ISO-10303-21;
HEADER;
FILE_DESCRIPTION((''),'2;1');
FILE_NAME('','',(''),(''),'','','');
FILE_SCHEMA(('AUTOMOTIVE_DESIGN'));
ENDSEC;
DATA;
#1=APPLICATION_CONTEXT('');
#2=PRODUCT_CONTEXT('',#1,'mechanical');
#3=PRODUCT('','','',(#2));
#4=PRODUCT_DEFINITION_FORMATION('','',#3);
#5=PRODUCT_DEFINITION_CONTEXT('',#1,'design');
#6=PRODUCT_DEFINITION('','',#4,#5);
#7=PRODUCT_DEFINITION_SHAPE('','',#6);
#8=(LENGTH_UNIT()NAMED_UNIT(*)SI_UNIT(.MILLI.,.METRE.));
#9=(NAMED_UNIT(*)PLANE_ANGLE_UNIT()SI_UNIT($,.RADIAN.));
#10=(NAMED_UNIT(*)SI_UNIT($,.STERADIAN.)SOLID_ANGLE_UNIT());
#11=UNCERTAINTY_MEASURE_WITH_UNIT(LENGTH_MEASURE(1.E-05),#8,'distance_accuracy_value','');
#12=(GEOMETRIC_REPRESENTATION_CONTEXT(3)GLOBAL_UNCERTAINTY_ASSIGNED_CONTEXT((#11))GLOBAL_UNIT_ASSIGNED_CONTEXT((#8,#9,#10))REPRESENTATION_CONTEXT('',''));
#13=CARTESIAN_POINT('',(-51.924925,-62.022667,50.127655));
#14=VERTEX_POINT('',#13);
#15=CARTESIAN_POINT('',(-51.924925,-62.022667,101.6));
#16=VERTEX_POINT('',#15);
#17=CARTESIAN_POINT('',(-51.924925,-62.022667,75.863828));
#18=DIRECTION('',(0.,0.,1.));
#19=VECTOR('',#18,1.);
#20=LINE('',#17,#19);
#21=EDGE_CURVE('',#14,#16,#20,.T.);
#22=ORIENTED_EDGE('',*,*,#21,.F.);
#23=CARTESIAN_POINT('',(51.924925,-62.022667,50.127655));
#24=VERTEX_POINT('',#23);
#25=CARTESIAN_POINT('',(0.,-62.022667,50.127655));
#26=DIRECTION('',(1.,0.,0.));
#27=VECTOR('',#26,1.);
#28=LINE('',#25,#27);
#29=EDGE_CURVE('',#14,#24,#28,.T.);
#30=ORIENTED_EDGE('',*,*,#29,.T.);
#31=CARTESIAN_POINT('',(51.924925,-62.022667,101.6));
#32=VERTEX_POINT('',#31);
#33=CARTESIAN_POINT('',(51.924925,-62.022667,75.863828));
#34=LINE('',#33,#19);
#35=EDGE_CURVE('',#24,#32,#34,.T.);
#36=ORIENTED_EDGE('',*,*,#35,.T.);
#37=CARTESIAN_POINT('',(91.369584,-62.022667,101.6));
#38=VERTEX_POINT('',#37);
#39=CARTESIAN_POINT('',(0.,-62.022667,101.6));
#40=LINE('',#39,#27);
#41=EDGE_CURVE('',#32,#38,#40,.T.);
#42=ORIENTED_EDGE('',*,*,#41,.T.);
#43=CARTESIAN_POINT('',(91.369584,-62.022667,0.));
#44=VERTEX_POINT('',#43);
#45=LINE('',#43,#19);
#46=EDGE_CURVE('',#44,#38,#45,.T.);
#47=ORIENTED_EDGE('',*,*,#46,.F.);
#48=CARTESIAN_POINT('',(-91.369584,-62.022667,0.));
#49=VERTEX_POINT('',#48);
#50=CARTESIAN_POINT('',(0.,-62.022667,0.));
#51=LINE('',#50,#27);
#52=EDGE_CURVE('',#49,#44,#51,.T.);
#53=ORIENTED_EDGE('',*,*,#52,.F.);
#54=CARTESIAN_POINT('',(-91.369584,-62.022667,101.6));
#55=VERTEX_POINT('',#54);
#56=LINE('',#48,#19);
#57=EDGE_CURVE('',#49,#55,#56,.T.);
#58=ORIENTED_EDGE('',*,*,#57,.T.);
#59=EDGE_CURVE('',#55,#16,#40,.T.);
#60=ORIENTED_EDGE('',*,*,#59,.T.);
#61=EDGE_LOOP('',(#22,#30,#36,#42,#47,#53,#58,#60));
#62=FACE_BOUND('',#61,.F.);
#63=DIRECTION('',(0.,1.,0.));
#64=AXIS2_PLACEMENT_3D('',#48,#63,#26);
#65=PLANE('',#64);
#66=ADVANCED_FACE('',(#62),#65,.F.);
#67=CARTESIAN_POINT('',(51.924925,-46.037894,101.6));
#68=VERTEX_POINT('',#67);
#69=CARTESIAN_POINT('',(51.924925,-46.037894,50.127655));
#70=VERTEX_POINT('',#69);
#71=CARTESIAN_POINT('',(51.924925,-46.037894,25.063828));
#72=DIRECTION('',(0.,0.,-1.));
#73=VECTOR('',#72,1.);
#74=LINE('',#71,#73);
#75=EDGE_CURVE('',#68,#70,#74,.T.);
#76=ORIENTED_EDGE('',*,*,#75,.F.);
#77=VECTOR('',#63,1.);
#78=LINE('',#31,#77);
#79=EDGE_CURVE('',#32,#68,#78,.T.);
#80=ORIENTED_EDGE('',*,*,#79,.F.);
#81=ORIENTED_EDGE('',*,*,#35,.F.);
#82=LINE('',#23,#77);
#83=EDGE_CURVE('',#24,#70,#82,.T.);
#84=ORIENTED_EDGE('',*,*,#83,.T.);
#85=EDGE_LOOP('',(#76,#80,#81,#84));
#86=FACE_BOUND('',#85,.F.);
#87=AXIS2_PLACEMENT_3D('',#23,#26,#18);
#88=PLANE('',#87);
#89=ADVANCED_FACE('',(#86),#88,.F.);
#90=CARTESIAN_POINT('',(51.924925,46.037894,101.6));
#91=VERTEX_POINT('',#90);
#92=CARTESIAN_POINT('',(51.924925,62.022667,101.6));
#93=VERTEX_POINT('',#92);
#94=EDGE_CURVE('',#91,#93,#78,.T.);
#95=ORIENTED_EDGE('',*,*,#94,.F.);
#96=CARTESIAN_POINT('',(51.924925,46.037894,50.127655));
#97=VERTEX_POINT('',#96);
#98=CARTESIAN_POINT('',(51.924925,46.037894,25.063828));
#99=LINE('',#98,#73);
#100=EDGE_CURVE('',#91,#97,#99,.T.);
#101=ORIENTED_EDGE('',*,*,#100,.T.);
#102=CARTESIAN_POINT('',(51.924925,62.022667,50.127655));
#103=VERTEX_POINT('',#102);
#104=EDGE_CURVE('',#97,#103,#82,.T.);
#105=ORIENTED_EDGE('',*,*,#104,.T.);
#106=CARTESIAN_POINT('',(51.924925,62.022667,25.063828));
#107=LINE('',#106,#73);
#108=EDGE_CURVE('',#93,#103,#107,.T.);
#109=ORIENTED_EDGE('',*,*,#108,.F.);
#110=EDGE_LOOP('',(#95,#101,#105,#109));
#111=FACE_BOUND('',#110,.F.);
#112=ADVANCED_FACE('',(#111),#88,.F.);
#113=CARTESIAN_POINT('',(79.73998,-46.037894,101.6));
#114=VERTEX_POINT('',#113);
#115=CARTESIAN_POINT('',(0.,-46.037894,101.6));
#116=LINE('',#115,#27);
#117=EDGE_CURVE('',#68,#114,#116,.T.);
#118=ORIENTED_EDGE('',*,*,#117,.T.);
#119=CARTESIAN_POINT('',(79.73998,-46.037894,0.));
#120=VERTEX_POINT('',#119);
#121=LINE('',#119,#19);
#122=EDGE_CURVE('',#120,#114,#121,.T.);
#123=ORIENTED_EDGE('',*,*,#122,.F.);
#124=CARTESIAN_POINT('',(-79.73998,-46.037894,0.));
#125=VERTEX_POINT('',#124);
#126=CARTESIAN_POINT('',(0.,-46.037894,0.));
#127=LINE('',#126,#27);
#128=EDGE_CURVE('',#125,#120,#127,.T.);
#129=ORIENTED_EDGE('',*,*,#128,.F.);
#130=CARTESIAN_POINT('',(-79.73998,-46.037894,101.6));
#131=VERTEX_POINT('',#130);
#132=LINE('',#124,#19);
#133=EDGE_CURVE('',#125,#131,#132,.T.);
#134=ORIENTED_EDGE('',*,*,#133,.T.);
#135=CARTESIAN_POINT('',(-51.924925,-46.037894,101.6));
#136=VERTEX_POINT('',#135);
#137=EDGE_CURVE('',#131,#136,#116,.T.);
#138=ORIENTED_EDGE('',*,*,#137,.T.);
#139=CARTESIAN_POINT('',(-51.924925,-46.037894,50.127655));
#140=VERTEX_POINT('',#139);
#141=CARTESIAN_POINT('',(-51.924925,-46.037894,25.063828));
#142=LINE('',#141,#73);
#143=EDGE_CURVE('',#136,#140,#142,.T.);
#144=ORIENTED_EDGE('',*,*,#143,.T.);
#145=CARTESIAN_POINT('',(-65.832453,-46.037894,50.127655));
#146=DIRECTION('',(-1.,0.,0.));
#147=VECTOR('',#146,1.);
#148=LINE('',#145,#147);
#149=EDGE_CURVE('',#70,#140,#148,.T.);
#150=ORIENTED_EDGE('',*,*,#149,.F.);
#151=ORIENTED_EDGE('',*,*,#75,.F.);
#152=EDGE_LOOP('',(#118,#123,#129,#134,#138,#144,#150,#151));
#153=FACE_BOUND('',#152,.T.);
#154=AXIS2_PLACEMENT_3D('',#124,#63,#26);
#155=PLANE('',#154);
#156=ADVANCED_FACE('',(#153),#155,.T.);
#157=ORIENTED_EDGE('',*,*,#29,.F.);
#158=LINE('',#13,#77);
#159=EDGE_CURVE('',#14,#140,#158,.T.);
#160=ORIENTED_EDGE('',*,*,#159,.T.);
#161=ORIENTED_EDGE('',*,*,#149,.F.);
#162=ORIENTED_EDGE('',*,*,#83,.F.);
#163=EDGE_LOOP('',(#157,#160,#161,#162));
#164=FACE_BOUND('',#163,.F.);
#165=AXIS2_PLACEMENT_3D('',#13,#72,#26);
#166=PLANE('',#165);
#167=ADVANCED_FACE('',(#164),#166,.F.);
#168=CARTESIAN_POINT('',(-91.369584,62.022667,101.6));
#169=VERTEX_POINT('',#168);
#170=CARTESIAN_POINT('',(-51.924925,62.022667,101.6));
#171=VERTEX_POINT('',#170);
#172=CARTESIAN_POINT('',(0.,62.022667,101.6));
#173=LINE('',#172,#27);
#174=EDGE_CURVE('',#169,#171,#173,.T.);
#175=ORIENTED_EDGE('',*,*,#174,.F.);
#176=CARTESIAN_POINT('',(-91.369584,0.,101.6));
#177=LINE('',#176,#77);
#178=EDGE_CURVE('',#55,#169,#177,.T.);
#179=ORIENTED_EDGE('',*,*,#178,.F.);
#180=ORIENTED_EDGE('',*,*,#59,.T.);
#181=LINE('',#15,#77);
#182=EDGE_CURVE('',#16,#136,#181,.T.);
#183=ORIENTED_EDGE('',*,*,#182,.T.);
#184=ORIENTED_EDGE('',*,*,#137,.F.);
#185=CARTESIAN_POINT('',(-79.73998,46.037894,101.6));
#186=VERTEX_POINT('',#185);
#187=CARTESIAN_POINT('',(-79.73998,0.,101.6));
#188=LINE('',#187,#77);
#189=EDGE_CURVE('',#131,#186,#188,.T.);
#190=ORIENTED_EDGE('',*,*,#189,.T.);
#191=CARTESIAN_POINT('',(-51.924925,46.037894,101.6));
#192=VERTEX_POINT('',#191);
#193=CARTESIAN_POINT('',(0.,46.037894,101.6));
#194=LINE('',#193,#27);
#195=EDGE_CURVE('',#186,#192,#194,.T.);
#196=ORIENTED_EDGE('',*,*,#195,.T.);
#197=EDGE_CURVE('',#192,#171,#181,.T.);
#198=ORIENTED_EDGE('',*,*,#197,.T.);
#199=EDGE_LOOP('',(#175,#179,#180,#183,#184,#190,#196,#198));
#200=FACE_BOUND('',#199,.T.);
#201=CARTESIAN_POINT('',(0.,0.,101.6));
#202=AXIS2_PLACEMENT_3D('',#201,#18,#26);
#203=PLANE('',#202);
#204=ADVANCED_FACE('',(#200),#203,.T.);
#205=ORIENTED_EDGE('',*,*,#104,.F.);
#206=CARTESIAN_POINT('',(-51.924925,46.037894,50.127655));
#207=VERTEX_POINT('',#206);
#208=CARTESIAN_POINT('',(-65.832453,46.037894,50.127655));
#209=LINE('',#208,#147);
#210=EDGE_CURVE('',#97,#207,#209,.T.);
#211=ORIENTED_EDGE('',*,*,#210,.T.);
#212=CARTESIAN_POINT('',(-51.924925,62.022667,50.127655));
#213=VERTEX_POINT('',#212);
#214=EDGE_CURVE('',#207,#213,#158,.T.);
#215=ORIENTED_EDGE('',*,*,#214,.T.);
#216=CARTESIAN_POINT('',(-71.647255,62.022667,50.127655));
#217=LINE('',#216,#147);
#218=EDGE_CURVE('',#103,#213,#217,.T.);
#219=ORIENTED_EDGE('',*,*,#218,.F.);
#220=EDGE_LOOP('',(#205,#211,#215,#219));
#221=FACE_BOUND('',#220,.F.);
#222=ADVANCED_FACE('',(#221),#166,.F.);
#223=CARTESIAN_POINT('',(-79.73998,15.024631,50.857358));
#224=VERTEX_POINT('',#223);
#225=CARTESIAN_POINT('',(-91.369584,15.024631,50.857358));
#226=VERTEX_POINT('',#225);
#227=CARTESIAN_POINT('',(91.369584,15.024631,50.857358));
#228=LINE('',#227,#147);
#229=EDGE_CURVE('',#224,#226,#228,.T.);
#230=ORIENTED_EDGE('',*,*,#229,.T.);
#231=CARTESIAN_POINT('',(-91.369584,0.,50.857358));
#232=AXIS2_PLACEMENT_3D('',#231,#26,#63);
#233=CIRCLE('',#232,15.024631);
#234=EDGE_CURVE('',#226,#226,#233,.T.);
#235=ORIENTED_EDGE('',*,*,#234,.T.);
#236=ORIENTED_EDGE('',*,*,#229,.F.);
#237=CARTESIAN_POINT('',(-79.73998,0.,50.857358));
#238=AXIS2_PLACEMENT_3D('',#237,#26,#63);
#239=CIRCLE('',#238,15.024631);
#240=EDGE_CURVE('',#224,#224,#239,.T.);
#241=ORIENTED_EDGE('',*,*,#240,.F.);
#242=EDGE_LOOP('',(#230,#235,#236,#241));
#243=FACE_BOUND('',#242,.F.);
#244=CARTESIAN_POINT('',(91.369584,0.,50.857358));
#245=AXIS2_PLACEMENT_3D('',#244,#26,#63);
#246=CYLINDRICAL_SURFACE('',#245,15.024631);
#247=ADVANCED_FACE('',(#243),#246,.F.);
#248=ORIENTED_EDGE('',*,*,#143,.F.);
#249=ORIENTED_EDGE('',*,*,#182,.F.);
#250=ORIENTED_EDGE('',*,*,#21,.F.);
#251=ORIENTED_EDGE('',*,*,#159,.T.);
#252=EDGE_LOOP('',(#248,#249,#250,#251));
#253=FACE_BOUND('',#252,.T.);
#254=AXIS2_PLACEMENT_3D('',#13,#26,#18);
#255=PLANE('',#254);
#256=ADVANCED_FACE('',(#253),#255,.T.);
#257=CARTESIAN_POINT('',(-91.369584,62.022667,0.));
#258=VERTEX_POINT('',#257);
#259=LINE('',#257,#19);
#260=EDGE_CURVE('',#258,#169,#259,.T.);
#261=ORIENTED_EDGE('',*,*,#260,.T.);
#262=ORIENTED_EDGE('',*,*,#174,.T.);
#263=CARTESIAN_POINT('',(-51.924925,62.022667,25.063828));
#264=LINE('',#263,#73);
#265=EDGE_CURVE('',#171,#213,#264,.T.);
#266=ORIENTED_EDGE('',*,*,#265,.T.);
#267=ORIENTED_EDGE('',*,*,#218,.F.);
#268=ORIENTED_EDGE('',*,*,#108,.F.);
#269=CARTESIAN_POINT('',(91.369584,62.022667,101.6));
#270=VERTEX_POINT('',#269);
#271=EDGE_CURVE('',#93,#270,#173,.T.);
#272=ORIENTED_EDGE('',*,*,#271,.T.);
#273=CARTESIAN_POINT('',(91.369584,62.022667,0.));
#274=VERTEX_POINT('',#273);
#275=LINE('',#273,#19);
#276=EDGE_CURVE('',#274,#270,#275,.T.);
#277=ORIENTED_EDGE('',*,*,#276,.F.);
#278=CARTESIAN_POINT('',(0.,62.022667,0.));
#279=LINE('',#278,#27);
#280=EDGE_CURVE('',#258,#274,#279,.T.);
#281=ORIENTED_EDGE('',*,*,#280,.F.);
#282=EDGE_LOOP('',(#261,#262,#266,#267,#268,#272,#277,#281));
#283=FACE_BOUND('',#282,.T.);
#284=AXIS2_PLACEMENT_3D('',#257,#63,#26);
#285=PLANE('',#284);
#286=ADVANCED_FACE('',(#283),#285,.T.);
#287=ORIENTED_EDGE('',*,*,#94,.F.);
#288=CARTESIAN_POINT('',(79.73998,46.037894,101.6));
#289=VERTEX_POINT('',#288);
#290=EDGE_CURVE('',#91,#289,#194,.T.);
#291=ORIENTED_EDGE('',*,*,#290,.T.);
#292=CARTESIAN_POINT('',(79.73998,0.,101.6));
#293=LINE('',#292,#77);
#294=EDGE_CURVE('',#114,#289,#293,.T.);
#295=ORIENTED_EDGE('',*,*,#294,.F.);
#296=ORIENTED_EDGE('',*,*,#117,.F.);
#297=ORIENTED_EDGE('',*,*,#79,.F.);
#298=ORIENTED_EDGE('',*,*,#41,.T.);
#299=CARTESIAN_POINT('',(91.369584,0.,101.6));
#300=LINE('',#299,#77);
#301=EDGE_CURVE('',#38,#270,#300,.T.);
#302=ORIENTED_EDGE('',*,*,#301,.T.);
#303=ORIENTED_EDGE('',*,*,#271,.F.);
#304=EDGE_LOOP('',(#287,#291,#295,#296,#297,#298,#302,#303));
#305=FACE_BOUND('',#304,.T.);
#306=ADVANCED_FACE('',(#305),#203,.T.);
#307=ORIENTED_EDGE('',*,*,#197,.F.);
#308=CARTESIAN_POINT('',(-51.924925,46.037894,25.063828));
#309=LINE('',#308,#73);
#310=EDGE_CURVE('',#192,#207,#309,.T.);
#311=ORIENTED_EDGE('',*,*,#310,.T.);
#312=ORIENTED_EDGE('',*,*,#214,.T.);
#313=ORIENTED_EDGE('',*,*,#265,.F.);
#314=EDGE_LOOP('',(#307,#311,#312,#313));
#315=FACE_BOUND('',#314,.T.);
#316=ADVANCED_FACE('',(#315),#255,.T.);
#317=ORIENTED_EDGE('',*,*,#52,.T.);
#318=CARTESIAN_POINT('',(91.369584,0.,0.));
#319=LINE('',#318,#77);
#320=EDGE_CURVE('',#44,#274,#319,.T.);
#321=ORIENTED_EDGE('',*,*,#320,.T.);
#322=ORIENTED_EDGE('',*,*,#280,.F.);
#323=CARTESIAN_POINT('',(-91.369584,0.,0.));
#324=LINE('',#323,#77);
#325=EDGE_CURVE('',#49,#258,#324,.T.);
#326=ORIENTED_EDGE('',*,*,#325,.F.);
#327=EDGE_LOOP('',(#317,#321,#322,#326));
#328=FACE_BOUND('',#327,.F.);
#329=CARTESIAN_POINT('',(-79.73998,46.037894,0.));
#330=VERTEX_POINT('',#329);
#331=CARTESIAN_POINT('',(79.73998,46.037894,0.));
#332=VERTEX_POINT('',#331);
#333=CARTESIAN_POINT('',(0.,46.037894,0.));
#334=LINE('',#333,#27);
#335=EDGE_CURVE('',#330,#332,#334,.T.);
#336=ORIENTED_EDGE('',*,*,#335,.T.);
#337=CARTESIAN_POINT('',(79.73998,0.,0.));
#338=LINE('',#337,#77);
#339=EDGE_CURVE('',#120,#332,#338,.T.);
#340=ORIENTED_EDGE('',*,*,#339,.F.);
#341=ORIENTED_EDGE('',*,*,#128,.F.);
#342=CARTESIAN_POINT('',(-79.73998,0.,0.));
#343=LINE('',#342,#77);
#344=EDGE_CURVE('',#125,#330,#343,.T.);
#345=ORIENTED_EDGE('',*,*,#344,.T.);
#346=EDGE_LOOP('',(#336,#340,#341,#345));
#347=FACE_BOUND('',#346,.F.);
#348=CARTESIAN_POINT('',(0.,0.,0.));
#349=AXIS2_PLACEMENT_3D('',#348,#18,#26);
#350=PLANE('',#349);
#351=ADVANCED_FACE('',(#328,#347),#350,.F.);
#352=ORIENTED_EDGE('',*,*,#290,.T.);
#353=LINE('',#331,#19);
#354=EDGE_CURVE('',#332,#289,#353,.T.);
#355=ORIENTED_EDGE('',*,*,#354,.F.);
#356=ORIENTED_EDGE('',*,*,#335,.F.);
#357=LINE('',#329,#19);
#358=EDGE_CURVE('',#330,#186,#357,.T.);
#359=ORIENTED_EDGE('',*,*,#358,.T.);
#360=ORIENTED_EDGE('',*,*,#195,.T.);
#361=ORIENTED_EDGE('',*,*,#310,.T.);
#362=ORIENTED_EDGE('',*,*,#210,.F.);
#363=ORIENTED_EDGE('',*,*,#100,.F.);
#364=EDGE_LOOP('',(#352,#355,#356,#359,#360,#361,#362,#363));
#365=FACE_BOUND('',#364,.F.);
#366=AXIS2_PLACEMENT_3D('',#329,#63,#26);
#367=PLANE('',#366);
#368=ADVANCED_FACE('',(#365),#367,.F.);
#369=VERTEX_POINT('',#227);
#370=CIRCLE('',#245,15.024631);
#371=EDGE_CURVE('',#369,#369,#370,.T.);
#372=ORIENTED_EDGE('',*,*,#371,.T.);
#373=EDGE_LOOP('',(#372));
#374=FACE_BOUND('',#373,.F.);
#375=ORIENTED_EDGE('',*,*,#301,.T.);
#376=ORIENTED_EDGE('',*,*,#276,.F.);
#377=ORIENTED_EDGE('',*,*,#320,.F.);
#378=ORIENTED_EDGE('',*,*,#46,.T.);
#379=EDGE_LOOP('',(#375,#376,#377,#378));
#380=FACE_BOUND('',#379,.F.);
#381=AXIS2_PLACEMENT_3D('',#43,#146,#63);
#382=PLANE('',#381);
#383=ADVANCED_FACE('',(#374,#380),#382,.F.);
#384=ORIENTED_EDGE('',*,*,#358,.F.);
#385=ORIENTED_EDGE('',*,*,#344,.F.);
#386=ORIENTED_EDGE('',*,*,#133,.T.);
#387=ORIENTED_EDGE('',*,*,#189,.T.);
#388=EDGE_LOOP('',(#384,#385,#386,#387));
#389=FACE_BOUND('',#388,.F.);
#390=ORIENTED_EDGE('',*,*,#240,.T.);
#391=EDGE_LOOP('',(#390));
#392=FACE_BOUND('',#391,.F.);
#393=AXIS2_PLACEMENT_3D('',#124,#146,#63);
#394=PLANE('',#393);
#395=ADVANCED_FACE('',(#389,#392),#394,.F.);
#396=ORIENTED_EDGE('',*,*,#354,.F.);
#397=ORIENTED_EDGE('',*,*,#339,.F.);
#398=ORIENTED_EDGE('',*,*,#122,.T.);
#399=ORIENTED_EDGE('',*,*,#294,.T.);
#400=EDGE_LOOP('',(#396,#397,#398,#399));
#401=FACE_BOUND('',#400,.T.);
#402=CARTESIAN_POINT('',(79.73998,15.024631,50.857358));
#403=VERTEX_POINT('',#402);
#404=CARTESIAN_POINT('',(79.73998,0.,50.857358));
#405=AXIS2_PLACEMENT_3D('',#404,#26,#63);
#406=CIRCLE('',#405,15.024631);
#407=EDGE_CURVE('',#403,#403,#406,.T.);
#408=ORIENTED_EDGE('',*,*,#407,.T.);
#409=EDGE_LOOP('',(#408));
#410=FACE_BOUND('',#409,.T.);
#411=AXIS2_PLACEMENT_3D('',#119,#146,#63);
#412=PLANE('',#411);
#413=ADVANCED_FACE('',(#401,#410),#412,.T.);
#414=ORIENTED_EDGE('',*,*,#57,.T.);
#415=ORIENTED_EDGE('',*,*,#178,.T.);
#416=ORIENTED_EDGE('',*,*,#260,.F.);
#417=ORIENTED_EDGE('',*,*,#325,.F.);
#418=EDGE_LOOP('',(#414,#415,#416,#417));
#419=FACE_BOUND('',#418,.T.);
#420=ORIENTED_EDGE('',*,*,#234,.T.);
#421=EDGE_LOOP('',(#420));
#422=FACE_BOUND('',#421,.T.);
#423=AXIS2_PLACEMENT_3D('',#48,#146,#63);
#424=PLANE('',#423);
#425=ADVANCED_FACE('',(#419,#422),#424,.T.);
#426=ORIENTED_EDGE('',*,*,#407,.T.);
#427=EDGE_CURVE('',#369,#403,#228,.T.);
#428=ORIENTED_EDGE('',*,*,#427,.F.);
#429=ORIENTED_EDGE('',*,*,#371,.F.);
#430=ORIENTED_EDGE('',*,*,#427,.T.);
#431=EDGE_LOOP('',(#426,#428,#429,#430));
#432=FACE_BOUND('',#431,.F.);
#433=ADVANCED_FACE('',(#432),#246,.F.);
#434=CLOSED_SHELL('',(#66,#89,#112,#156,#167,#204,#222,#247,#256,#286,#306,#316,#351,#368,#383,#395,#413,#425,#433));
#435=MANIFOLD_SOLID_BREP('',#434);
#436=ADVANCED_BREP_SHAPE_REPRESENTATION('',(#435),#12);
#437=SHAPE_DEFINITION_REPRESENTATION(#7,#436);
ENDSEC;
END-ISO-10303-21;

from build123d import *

# Parameters (mm, degrees)
F0_W     = 182.7391684055
F0_H     = 124.0453347564
F0_W_2   = 159.4799607992
F0_H_2   = 92.0757874846
F1_DEPTH = 101.6
F2_W     = 103.849850595
F2_H     = 51.4723447323
F3_DEPTH = 1270
F4_R     = 15.0246313373
F5_DEPTH = 1270


with BuildPart() as f1:
    # F0 (on Top) → F1 (new body)
    with BuildSketch(Plane.XY):
        Rectangle(F0_W, F0_H)
        Rectangle(F0_W_2, F0_H_2, mode=Mode.SUBTRACT)
    extrude(amount=F1_DEPTH)

    # F2 (on face) → F3 (cut)
    with BuildSketch(Plane.XZ.offset(62.0226673782)):
        with Locations((0, 75.8638276339)):
            Rectangle(F2_W, F2_H)
    extrude(amount=-F3_DEPTH, mode=Mode.SUBTRACT)

    # F4 (on face) → F5 (cut)
    with BuildSketch(Plane.YZ.offset(91.3695842028)):
        with Locations((0, 50.8573576808)):
            Circle(F4_R)
    extrude(amount=-F5_DEPTH, mode=Mode.SUBTRACT)


solid = f1.part
